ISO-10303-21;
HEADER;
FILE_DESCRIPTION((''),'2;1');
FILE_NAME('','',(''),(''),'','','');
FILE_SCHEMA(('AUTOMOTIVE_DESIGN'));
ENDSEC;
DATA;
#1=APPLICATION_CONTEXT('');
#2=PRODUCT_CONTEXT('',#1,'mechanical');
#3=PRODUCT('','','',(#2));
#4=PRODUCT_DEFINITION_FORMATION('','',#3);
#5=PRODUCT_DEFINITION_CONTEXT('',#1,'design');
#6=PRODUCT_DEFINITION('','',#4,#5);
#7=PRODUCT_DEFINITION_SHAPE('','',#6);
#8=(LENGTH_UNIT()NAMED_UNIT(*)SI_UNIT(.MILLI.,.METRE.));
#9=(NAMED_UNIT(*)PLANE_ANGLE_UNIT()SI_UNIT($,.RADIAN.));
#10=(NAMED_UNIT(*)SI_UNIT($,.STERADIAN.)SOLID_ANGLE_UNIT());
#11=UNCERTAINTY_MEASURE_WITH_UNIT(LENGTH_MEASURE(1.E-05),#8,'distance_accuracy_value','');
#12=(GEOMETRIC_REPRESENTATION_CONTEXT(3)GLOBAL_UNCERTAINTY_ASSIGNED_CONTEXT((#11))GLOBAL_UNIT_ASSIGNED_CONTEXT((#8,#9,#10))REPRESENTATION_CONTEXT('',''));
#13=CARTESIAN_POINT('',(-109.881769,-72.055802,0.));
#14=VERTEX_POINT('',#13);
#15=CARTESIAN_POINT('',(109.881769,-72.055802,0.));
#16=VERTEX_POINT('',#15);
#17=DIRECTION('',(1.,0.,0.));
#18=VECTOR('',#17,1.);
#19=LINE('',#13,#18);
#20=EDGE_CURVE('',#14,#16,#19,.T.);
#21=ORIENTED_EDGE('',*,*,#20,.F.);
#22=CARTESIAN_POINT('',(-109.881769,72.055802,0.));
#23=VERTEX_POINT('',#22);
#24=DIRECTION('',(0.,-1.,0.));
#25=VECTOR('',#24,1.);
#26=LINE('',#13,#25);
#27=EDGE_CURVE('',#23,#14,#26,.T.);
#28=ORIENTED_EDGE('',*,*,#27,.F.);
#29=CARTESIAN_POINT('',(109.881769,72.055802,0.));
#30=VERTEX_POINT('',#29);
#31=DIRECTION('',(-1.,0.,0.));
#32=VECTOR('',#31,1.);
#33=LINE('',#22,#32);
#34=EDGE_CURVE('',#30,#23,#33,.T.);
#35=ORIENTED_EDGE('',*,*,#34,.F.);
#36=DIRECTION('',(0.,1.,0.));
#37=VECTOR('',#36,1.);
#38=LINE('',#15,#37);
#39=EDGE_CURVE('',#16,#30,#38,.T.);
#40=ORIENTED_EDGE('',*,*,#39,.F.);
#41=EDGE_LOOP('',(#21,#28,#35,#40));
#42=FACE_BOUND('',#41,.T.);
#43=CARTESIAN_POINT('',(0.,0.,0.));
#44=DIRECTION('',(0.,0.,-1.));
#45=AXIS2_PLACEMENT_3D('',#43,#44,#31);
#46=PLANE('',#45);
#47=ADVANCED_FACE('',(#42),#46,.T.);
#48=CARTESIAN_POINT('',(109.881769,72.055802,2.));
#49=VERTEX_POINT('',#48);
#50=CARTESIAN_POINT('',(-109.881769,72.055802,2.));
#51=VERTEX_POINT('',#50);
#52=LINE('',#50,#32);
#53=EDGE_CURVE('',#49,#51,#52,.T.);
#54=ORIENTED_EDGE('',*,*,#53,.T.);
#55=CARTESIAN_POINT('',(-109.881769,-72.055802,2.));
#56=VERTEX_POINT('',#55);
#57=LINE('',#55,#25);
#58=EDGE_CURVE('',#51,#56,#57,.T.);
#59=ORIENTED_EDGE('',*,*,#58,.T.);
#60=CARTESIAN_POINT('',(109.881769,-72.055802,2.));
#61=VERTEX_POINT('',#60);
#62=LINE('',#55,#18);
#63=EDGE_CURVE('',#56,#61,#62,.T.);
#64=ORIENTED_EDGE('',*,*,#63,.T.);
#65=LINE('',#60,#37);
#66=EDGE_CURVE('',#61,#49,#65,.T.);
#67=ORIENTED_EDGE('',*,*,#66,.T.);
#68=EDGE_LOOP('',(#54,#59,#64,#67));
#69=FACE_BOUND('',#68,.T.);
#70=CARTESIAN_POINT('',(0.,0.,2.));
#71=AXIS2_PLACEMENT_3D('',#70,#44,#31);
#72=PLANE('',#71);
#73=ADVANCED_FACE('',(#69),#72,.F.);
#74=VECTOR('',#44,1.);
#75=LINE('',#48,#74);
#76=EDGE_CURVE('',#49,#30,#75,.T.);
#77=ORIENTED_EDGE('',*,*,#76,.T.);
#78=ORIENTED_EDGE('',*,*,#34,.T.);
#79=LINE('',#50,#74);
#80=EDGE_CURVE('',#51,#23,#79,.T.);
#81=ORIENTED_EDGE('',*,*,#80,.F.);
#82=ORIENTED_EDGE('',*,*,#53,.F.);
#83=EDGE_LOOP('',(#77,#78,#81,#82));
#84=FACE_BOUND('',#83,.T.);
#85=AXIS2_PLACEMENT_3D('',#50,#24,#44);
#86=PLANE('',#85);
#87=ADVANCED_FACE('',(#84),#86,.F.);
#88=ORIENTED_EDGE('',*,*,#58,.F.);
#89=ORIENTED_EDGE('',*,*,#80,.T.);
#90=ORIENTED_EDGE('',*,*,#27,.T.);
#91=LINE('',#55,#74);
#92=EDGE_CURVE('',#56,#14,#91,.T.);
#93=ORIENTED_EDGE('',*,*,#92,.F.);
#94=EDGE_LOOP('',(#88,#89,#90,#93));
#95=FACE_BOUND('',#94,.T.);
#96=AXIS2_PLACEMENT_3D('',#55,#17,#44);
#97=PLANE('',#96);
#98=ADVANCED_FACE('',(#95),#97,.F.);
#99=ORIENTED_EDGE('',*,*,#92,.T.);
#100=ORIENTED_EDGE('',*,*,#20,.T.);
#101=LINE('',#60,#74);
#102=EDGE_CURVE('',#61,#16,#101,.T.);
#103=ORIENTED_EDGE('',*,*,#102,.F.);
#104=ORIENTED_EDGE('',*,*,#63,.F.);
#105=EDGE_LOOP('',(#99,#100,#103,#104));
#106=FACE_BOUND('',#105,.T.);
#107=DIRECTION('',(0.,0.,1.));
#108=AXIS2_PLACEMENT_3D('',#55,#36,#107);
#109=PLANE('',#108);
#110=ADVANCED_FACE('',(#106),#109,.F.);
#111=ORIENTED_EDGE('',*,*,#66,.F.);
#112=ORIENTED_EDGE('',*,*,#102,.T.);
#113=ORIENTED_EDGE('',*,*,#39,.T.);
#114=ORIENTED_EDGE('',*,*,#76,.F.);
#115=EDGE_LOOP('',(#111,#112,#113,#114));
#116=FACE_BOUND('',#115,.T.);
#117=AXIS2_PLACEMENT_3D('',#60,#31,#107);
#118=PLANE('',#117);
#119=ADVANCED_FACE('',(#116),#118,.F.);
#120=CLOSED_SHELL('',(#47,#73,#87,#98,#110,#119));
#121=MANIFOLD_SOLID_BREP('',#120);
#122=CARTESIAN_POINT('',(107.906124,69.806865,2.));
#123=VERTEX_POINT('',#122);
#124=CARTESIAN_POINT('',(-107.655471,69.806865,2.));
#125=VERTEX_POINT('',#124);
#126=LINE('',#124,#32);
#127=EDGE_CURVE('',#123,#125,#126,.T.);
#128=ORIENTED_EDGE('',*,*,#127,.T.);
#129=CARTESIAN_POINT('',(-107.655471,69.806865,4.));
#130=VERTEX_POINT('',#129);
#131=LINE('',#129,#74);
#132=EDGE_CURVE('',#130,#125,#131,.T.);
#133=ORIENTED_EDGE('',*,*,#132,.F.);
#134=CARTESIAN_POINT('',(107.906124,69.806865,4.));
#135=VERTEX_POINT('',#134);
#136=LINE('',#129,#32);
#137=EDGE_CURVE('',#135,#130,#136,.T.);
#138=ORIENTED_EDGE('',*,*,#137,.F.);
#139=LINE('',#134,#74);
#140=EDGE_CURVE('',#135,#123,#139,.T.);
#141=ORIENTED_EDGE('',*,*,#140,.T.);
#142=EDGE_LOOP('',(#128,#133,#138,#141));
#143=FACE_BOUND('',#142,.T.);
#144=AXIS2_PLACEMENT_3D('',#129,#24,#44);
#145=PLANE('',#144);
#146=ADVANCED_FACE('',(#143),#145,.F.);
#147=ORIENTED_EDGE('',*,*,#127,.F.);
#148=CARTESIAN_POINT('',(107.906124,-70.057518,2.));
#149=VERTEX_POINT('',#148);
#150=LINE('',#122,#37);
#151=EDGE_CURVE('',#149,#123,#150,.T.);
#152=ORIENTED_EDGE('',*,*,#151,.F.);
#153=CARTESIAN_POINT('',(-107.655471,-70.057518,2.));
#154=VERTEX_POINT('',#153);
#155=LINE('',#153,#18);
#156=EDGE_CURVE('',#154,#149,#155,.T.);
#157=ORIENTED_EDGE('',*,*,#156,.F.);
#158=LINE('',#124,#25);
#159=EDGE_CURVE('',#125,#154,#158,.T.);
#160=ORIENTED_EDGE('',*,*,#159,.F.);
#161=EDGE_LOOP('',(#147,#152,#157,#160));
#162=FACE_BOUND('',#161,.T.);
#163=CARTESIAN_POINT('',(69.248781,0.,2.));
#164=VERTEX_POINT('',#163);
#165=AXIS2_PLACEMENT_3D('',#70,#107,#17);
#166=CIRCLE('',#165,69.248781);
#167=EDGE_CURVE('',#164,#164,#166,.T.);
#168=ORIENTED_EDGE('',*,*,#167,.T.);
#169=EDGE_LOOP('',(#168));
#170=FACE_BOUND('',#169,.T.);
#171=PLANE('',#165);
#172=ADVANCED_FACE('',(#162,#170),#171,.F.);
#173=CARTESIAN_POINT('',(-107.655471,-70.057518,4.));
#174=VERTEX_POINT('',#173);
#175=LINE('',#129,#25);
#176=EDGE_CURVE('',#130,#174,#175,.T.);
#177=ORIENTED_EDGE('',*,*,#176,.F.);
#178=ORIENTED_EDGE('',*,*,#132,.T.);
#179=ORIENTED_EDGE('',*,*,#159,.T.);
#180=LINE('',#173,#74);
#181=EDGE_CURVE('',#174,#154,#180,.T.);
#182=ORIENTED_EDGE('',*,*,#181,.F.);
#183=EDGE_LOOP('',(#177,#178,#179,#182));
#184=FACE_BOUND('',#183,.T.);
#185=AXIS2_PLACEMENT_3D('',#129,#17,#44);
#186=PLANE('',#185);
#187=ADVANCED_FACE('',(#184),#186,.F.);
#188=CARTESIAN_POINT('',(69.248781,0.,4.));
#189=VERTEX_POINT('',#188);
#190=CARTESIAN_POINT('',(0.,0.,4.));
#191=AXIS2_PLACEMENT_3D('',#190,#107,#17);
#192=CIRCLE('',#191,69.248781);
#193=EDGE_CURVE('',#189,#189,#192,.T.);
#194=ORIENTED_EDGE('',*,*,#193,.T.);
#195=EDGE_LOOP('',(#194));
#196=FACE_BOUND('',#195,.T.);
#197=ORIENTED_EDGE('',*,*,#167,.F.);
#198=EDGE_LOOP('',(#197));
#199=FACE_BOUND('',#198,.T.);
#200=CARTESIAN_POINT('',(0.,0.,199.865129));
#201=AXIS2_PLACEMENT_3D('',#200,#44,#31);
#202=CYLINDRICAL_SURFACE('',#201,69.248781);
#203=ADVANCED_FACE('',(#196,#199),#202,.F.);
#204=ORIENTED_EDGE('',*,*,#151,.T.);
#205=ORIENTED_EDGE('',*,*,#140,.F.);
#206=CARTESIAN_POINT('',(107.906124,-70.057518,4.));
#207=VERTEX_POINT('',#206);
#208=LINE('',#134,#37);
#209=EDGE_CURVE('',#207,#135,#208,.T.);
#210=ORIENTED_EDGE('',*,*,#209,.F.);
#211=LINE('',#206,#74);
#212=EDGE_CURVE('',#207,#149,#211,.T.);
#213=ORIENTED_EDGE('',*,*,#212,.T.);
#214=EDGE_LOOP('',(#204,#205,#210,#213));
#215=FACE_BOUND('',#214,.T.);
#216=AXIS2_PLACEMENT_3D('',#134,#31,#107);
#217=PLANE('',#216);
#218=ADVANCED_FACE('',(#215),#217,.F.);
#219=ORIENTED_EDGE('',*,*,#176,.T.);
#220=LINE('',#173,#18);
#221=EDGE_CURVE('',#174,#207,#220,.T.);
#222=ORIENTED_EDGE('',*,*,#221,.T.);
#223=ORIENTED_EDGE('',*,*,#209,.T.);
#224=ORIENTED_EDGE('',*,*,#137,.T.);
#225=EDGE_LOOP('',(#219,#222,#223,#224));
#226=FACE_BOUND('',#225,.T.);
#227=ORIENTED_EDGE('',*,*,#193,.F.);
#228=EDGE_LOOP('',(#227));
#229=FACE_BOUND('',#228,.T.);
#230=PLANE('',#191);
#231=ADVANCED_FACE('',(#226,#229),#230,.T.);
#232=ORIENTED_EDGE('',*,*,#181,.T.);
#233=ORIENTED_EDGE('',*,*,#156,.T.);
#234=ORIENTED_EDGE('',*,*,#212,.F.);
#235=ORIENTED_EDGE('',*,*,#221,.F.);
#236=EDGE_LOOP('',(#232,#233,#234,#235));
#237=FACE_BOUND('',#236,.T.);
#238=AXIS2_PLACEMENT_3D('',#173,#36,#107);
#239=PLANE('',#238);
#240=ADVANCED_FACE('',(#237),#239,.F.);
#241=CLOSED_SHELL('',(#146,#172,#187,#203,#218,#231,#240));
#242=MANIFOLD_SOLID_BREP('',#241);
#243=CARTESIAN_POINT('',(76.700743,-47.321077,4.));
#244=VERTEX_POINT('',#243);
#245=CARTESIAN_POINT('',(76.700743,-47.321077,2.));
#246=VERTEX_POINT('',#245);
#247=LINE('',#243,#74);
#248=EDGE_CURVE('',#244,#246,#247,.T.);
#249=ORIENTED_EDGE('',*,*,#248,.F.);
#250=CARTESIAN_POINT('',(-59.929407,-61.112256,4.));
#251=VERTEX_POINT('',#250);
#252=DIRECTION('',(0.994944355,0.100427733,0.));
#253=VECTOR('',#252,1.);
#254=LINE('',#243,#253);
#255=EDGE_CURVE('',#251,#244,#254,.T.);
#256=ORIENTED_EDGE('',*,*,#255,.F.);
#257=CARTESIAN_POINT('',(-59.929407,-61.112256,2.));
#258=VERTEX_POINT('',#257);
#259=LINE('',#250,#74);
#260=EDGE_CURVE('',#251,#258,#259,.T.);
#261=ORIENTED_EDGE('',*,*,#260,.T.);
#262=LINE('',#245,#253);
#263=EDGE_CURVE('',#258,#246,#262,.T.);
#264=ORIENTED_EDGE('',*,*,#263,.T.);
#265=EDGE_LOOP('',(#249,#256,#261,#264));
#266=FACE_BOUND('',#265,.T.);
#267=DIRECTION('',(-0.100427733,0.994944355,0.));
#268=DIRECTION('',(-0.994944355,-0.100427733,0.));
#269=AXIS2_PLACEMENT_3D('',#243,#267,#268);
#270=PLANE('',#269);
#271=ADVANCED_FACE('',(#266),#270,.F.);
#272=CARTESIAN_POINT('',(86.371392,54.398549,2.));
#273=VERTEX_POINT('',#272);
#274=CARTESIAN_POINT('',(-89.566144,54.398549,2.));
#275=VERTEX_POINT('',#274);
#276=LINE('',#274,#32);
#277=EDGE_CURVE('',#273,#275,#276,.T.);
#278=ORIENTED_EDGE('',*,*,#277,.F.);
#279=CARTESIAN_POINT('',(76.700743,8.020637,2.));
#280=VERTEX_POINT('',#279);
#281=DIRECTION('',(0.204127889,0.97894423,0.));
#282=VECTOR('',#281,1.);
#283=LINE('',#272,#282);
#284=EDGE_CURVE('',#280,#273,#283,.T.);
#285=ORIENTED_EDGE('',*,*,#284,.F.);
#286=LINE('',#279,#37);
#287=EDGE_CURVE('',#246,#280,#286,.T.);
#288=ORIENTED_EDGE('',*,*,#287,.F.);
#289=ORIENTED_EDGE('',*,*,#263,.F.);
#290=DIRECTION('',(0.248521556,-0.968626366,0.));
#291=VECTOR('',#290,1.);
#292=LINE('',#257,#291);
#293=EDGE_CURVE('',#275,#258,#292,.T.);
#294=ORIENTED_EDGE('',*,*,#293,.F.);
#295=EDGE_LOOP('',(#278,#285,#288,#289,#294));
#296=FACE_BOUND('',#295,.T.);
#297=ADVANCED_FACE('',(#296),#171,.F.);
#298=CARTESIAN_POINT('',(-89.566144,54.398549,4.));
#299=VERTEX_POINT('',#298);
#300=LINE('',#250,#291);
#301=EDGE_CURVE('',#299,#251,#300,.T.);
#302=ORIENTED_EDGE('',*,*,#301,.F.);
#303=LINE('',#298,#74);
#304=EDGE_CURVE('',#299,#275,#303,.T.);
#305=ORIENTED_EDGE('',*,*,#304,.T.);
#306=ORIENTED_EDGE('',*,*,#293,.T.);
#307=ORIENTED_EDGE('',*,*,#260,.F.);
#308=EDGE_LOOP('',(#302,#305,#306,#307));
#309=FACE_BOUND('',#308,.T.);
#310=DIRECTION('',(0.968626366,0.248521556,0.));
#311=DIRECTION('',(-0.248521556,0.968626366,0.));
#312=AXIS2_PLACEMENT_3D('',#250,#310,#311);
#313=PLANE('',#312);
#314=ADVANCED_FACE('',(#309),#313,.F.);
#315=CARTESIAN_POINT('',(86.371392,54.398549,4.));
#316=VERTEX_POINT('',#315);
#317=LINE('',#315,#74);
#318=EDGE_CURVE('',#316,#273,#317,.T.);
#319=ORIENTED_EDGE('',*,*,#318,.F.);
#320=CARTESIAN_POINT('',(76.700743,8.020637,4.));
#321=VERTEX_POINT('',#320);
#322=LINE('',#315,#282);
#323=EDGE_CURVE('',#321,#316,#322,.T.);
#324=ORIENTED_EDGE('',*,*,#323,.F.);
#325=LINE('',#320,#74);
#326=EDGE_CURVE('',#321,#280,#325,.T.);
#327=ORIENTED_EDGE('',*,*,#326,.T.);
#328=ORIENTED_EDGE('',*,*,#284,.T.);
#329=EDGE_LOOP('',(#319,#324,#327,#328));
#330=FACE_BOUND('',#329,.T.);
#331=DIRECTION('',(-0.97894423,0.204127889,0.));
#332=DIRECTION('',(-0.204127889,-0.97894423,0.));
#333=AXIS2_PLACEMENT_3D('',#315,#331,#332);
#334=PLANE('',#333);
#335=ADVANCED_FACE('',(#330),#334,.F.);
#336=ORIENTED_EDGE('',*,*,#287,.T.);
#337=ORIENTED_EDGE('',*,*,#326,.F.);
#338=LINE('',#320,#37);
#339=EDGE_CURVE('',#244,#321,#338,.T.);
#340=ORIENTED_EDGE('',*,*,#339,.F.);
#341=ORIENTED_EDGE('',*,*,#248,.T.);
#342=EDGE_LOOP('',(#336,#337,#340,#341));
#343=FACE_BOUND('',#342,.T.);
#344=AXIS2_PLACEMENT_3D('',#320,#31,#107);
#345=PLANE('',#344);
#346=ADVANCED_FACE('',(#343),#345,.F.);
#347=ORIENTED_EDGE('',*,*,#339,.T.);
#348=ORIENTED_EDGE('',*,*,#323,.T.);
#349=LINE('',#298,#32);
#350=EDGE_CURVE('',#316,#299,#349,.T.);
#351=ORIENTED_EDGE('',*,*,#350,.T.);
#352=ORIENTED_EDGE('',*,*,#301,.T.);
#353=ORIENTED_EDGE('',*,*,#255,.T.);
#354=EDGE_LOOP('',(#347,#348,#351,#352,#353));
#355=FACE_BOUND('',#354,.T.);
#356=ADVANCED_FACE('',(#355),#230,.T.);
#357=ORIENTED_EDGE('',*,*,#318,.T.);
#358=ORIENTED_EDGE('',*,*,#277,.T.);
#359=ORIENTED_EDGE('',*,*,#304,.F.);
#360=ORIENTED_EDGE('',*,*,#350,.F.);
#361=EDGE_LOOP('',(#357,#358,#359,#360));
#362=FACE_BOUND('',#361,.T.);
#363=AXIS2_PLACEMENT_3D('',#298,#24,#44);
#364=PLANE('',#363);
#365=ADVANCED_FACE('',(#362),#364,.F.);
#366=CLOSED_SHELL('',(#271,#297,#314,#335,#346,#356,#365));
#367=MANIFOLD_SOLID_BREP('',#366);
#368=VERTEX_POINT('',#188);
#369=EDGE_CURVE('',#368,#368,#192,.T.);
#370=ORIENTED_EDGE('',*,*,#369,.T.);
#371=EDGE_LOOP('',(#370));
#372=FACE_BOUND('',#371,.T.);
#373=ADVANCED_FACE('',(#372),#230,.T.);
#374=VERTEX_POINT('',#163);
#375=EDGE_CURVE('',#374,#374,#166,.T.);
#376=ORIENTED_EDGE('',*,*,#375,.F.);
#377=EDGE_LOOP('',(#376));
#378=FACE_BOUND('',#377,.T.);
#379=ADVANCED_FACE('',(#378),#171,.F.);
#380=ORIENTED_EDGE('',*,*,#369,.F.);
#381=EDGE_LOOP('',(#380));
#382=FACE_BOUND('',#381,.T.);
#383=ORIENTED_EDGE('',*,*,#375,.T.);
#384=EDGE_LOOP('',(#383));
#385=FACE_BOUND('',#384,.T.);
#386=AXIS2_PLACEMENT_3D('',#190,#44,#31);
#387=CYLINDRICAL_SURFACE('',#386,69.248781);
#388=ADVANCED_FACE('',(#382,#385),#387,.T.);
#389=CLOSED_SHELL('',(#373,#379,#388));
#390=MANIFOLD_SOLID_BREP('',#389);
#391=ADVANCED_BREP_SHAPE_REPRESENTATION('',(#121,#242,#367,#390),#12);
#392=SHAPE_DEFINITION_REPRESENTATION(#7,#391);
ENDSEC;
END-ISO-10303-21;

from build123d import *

# Parameters (mm, degrees)
SKETCH1_W           = 219.763537348
SKETCH1_H           = 144.111604492
BOSS_EXTRUDE1_DEPTH = 2
BOSS_EXTRUDE2_DEPTH = 2
SKETCH3_W           = 215.561595081
SKETCH3_H           = 139.864383785
BOSS_EXTRUDE3_DEPTH = 2
SKETCH4_R           = 69.248780579
BOSS_EXTRUDE5_DEPTH = 2
SKETCH4_2_R         = 69.248780579
CUT_EXTRUDE3_DEPTH  = 2


with BuildPart() as part:
    # Sketch1 → Boss-Extrude1 (new body)
    with BuildSketch(Plane.XY):
        Rectangle(SKETCH1_W, SKETCH1_H)
    extrude(amount=BOSS_EXTRUDE1_DEPTH)


with BuildPart() as body_2:
    # Sketch2 → Boss-Extrude2 (new body)
    with BuildSketch(Plane.XY.offset(2)):
        Polygon((-89.566144192, 54.398549486), (86.371391829, 54.398549486), (76.70074348, 8.020636875), (76.70074348, -47.321076556), (-59.92940692, -61.112256167), align=None)
    extrude(amount=BOSS_EXTRUDE2_DEPTH)


with BuildPart() as body_3:
    # Sketch3 → Boss-Extrude3 (new body)
    with BuildSketch(Plane.XY.offset(2)):
        with Locations((0.125326509, -0.125326509)):
            Rectangle(SKETCH3_W, SKETCH3_H)
    extrude(amount=BOSS_EXTRUDE3_DEPTH)

    # Sketch4<2> → Cut-Extrude3 (cut)
    with BuildSketch(Plane.XY.offset(2)):
        Circle(SKETCH4_2_R)
    extrude(amount=CUT_EXTRUDE3_DEPTH, mode=Mode.SUBTRACT)


with BuildPart() as body_4:
    # Sketch4 → Boss-Extrude5 (new body)
    with BuildSketch(Plane.XY.offset(2)):
        Circle(SKETCH4_R)
    extrude(amount=BOSS_EXTRUDE5_DEPTH)


solid = Compound([part.part, body_2.part, body_3.part, body_4.part])
